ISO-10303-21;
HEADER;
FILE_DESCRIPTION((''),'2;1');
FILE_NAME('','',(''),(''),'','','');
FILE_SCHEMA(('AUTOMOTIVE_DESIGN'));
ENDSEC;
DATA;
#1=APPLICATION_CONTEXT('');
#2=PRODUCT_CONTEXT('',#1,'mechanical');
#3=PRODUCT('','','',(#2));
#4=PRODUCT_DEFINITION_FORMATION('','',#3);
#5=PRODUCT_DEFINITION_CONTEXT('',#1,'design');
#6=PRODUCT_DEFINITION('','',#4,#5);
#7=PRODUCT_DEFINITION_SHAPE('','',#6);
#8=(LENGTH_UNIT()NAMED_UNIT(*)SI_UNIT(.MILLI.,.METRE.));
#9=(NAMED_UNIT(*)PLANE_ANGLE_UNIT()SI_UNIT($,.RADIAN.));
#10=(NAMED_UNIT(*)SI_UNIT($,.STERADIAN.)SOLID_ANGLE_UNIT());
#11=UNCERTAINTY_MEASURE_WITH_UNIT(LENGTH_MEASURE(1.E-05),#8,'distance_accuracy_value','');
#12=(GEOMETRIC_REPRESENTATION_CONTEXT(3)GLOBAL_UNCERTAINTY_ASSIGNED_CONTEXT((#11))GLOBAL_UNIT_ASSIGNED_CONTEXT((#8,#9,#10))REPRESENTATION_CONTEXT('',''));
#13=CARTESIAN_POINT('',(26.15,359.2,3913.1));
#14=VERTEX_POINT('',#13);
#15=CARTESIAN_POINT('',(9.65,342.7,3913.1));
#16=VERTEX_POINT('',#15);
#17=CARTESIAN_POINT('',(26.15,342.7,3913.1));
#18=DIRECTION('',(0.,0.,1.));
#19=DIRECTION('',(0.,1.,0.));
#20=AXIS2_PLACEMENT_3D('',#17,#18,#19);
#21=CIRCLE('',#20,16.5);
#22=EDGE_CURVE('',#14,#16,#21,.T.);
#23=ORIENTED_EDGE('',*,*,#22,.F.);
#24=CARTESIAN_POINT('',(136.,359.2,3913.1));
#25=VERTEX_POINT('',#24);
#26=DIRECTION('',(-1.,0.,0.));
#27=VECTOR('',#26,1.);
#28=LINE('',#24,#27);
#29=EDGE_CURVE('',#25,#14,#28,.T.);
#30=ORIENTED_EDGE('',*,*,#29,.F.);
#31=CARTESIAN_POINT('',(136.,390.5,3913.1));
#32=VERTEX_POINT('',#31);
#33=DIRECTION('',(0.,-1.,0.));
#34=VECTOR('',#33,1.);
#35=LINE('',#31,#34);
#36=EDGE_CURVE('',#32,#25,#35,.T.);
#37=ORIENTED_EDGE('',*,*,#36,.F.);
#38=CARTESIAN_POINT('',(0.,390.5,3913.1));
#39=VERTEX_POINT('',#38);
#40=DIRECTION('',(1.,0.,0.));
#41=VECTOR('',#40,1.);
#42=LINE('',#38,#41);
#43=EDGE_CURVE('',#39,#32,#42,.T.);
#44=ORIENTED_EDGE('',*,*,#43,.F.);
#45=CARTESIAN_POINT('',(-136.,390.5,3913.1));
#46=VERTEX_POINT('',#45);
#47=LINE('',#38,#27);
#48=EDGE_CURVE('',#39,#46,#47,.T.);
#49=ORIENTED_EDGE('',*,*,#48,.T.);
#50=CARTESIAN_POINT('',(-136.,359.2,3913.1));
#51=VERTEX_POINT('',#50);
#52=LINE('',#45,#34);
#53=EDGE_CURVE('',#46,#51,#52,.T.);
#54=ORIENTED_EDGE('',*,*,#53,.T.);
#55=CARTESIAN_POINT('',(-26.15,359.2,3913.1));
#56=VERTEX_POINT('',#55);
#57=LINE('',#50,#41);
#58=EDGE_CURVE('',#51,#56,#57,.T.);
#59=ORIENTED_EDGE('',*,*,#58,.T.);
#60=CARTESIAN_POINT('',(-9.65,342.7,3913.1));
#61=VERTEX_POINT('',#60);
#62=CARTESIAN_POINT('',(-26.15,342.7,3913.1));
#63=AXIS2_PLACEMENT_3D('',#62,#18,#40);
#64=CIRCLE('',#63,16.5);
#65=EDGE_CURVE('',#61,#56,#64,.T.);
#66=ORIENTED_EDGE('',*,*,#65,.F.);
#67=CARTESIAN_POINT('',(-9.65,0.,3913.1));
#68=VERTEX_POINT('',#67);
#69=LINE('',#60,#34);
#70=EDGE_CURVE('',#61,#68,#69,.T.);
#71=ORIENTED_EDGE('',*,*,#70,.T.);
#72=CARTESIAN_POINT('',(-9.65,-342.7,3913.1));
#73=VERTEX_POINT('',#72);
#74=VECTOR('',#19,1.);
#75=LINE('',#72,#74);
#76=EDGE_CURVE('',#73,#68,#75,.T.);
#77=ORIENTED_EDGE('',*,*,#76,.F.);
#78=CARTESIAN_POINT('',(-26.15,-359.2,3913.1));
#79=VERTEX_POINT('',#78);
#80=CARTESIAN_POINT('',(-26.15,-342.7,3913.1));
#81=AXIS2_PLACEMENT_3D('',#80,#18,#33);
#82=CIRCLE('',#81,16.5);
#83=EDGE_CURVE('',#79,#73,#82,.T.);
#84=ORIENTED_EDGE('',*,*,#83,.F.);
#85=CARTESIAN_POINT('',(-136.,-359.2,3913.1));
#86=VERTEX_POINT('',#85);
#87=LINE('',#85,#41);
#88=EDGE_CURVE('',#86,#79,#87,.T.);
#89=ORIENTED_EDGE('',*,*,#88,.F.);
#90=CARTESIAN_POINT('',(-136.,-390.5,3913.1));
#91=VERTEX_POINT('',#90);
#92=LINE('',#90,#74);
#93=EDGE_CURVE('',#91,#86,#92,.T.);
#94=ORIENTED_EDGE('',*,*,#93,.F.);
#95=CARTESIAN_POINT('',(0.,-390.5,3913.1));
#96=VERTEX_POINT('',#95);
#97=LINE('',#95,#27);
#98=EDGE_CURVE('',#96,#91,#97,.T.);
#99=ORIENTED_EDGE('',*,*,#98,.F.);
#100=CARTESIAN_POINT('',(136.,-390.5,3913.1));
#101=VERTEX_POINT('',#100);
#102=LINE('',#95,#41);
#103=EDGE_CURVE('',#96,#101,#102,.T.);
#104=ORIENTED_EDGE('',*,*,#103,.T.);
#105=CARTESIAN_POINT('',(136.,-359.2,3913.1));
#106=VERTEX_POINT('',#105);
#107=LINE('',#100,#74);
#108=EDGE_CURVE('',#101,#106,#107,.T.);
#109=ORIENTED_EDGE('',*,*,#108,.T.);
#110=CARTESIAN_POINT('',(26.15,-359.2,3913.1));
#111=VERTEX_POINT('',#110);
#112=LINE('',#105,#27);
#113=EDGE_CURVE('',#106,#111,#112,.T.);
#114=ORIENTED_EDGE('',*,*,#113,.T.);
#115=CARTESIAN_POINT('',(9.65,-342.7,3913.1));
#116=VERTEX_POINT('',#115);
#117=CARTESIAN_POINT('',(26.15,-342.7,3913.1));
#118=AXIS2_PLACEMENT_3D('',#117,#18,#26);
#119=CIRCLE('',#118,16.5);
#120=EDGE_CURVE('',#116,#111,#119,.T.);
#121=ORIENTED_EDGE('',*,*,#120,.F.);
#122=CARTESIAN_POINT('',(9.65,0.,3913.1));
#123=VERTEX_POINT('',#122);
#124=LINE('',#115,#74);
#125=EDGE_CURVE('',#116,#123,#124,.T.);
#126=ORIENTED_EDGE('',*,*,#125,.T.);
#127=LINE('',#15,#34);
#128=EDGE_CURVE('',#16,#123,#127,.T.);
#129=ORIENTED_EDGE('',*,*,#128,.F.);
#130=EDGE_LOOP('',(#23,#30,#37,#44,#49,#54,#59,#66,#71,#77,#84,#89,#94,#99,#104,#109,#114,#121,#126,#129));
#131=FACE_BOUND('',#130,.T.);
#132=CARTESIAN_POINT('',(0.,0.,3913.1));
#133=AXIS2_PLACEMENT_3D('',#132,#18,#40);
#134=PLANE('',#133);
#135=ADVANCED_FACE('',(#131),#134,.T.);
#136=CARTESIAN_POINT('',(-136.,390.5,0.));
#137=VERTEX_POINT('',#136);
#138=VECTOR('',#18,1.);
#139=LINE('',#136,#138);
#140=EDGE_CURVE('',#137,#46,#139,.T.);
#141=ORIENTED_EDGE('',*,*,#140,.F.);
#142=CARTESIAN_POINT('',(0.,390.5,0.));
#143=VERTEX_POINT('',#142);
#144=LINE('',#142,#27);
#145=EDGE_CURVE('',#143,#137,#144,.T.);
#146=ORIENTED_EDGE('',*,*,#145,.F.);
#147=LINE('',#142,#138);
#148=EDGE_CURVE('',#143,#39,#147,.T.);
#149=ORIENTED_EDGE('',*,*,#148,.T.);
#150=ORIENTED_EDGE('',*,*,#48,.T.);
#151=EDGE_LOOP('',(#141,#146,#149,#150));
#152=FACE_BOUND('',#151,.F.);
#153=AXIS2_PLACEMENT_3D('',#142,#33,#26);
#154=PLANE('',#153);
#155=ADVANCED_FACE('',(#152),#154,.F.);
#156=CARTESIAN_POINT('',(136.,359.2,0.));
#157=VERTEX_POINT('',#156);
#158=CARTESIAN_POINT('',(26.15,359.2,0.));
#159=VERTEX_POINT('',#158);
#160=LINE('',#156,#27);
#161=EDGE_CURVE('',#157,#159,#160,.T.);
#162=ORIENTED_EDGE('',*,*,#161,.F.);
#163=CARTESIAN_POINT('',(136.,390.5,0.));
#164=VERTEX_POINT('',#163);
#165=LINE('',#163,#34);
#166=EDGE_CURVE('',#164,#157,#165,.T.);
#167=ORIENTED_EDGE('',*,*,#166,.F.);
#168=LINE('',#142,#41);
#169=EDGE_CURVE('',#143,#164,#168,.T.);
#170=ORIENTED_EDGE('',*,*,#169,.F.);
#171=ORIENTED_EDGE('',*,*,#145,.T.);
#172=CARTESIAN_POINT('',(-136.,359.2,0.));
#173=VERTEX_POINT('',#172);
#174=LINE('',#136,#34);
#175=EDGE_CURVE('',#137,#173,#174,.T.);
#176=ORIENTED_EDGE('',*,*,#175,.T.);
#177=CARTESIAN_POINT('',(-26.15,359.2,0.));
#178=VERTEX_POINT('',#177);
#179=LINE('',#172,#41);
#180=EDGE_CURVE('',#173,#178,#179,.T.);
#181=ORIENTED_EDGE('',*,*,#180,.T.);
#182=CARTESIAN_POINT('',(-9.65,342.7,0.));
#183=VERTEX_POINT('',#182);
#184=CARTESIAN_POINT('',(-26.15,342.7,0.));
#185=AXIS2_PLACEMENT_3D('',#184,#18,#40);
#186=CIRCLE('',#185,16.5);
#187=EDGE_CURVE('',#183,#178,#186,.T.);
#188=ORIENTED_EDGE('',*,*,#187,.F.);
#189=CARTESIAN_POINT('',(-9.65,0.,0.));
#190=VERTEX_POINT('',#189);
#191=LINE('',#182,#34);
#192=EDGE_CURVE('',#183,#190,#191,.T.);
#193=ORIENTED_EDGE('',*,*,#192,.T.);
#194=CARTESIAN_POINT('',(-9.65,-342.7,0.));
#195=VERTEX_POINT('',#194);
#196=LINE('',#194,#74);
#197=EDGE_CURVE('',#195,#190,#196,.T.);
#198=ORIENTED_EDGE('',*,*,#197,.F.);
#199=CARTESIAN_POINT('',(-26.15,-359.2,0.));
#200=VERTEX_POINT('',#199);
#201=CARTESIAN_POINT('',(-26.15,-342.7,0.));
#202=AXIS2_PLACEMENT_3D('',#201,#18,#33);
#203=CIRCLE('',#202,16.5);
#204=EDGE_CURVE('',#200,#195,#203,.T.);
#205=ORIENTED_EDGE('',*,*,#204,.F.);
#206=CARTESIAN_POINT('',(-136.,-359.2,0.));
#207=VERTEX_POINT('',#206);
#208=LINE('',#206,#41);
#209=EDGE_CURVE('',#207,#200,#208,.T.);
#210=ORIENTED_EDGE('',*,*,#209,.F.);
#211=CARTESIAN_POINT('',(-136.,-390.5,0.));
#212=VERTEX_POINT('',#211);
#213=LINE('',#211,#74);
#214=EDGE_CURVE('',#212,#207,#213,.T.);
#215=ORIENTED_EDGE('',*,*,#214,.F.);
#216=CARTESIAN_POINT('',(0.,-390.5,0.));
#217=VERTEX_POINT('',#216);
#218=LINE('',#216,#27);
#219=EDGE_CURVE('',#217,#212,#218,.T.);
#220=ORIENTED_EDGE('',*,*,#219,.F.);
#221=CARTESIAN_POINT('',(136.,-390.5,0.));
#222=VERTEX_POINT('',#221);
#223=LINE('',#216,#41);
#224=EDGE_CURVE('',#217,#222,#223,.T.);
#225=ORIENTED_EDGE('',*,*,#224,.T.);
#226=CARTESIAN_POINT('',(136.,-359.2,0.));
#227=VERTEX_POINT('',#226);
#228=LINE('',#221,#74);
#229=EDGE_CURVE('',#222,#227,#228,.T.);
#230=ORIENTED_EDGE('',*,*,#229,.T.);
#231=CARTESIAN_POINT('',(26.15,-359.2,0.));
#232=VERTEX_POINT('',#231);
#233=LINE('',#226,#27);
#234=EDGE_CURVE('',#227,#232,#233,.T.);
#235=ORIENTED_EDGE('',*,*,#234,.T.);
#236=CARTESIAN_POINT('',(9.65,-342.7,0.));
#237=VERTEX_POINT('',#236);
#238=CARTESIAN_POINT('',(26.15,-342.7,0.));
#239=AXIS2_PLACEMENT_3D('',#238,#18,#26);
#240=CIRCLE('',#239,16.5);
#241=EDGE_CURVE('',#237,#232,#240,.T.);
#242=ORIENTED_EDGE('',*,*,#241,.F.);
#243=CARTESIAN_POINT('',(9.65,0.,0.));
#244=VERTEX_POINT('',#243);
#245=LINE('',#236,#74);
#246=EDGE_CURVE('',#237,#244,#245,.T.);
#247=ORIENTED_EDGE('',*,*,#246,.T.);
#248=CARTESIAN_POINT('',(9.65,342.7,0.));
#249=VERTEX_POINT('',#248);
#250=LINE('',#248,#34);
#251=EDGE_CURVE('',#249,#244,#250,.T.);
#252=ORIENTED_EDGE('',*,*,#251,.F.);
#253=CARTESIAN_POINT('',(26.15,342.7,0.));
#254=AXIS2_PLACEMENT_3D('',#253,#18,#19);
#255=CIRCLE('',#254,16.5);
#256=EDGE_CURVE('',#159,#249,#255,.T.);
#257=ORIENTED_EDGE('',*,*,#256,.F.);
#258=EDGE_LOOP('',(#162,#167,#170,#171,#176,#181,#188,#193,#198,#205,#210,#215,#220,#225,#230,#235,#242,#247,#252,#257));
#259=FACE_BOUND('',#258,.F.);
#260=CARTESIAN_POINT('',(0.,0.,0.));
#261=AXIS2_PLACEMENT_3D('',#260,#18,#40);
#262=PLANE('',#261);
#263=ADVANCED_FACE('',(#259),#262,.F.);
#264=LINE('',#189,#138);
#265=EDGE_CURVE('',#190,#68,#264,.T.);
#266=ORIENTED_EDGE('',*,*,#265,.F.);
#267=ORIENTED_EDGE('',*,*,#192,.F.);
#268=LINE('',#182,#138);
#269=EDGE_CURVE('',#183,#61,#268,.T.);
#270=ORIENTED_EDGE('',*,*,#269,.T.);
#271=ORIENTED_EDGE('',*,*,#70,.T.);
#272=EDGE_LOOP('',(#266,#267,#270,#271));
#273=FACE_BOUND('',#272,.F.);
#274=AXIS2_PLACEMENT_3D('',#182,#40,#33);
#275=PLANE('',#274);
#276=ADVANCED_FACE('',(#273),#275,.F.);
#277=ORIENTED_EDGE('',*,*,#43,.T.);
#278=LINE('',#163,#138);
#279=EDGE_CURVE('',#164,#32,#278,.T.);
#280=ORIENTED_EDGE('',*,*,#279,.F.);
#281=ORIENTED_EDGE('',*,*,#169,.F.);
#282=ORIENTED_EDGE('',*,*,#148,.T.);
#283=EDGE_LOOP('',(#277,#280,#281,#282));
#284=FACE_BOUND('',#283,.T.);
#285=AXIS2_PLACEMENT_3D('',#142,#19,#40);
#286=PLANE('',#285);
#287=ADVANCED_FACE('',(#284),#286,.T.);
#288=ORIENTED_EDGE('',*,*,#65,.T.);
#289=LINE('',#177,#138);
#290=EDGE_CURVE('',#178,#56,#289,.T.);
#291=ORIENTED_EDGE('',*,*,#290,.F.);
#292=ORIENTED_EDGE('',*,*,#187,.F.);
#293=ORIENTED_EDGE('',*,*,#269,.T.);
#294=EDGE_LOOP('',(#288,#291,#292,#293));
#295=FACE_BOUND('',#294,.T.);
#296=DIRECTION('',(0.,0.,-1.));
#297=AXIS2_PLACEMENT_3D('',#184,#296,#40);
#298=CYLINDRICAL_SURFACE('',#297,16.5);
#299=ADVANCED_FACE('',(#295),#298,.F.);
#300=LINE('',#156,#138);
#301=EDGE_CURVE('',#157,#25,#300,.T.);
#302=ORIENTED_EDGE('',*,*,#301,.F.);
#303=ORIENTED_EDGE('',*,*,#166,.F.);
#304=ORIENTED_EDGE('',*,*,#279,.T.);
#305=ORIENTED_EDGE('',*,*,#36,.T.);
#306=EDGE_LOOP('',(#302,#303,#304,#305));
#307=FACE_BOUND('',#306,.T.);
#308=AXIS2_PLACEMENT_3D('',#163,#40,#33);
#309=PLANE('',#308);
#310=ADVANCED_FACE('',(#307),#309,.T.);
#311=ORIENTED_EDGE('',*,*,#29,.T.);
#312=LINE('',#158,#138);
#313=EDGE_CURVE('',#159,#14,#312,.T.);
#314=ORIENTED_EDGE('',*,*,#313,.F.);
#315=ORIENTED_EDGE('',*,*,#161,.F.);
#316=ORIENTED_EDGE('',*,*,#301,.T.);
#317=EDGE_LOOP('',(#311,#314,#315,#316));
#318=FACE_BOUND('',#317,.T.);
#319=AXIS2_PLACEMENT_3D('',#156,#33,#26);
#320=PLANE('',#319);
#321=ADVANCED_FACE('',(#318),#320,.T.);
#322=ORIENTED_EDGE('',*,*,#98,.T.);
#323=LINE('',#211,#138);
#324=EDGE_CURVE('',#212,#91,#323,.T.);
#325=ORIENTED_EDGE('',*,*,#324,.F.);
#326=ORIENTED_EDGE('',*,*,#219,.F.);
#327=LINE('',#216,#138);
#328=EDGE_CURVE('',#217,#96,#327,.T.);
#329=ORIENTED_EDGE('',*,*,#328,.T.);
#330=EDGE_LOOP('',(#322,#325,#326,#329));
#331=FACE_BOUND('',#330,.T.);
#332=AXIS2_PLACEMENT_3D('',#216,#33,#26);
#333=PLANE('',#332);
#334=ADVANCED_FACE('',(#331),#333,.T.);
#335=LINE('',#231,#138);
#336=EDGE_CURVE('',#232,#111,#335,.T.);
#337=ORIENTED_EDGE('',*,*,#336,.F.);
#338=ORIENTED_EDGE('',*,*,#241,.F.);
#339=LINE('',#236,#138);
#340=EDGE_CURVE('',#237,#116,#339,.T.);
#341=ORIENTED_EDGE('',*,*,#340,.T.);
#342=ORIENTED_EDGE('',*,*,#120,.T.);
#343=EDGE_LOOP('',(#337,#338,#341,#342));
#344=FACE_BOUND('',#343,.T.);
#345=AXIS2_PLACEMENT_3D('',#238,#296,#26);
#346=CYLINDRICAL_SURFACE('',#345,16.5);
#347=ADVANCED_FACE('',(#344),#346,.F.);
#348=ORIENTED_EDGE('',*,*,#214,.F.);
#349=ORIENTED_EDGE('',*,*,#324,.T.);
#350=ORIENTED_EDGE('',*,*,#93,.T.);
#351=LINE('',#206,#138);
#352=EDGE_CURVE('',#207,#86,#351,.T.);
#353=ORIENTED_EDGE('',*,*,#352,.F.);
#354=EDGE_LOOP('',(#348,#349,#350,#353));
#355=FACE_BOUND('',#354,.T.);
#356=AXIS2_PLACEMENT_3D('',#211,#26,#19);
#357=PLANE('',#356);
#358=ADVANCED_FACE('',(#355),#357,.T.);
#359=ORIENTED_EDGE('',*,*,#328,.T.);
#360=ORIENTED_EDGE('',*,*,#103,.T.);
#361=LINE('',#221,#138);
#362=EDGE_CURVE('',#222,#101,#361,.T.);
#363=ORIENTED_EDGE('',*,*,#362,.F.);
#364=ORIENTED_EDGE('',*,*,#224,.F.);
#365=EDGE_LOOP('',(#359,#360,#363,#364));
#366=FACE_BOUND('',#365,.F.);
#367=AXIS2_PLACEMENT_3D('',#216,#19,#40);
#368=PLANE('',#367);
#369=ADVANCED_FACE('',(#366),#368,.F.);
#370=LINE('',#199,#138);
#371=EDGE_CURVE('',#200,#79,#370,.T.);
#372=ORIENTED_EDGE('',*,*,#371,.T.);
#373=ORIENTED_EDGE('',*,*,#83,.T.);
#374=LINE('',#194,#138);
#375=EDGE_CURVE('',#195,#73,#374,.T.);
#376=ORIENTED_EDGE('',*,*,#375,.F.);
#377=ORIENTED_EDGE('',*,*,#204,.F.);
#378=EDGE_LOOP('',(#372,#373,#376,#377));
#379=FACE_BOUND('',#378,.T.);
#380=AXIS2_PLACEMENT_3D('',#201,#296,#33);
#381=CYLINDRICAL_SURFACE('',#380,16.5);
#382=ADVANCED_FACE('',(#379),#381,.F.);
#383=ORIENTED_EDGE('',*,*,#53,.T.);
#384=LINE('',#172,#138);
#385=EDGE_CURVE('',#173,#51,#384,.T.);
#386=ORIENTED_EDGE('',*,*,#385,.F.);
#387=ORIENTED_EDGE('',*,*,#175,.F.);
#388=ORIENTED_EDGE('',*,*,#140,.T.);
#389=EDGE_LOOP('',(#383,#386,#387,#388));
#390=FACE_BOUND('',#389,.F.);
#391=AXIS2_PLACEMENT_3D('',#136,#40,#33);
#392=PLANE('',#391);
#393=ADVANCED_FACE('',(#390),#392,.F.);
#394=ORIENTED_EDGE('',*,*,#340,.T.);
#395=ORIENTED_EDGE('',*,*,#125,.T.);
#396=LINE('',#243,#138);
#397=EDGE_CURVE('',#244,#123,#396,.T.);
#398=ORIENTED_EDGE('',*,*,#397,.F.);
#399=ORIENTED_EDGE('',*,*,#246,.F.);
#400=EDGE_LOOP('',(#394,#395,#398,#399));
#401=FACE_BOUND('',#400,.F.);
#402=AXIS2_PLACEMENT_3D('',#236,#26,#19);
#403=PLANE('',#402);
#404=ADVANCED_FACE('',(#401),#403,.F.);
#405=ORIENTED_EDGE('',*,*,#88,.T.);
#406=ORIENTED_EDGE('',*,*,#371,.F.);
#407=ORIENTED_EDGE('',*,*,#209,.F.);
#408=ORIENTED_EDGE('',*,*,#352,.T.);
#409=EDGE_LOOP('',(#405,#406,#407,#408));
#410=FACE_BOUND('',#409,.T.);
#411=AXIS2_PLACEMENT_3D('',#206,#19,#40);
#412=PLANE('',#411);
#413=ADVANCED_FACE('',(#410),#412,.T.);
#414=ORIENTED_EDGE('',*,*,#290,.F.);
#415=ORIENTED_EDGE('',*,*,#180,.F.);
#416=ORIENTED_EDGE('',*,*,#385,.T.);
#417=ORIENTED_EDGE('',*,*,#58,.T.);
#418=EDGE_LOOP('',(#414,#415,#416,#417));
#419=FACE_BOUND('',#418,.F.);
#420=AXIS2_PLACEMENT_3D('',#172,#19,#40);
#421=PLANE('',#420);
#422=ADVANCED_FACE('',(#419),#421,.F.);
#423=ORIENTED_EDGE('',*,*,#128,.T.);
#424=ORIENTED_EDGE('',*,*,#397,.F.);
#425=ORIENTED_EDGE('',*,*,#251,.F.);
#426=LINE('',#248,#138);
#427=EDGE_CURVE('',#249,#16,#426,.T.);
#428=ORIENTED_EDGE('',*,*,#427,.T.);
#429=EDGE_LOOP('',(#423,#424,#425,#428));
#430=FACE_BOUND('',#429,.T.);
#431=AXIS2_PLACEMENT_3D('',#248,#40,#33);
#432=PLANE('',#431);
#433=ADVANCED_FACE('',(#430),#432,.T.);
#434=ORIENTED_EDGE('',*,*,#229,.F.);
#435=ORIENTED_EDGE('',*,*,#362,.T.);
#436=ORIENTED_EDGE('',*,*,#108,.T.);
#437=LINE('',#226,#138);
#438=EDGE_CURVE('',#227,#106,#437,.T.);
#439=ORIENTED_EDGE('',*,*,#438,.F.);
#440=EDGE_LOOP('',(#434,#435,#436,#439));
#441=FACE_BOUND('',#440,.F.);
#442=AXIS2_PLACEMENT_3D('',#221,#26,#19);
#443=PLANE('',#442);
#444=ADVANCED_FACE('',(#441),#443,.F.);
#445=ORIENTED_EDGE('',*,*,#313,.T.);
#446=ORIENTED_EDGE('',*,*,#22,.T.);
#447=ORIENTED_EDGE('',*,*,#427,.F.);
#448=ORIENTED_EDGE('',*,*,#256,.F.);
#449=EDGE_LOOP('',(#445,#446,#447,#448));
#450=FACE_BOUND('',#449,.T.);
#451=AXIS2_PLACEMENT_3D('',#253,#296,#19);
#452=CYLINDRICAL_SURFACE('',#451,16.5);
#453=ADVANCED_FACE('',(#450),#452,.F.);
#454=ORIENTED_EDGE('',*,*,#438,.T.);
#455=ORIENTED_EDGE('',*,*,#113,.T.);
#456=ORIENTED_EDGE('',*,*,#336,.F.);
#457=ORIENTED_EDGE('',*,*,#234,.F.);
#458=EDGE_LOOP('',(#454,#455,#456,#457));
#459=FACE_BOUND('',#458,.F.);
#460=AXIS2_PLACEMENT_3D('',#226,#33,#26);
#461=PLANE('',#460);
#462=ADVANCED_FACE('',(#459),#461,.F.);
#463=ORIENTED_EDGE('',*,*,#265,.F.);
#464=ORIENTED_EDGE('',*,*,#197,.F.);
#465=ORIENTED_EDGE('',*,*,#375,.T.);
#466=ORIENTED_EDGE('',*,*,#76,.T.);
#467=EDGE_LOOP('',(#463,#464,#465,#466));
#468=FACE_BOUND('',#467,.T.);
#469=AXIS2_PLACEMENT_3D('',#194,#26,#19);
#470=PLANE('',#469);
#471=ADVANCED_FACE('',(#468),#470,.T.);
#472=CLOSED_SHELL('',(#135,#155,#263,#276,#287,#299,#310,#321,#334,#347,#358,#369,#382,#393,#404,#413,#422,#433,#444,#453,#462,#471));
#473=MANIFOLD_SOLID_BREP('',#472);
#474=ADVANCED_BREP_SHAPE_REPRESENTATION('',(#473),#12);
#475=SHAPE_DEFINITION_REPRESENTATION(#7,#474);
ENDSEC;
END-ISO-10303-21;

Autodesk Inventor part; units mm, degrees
ref_plane "YZ Plane" through (0, 0, 0) normal (1, 0, 0) x (0, 1, 0)
ref_plane "Start plane" through (0, 0, 0) normal (0, 0, 1) x (1, 0, 0)
ref_plane "End plane" through (0, 0, 3913.1) normal (0, 0, 1) x (1, 0, 0)
sketch "Sketch" plane through (0, 0, 0) normal (0, 0, 1) x (1, 0, 0)
  line L0 (-136, -390.5) -> (-136, -359.2)
  line L1 (-136, -359.2) -> (-26.15, -359.2)
  line L2 (-9.65, -342.7) -> (-9.65, 0)
  line L3 (-9.65, 0) -> (0, 0) construction
  line L4 (0, 0) -> (0, -390.5) construction
  line L5 (0, -390.5) -> (-136, -390.5)
  line L6 (-60, 0) -> (80, 0) construction
  line L7 (0, -60) -> (0, 80) construction
  line L8 (136, -390.5) -> (136, -359.2)
  line L9 (136, -359.2) -> (26.15, -359.2)
  line L10 (9.65, -342.7) -> (9.65, 0)
  line L11 (9.65, 0) -> (0, 0) construction
  line L12 (0, -390.5) -> (136, -390.5)
  line L13 (-136, 390.5) -> (-136, 359.2)
  line L14 (-136, 359.2) -> (-26.15, 359.2)
  line L15 (-9.65, 342.7) -> (-9.65, 0)
  line L16 (0, 390.5) -> (-136, 390.5)
  line L17 (136, 390.5) -> (136, 359.2)
  line L18 (136, 359.2) -> (26.15, 359.2)
  line L19 (0, 390.5) -> (136, 390.5)
  line L20 (9.65, 342.7) -> (9.65, 0)
  arc A0 (-9.65, 342.7) -> (-26.15, 359.2) centre (-26.15, 342.7) ccw
  arc A1 (26.15, 359.2) -> (9.65, 342.7) centre (26.15, 342.7) ccw
  arc A2 (9.65, -342.7) -> (26.15, -359.2) centre (26.15, -342.7) ccw
  arc A3 (-26.15, -359.2) -> (-9.65, -342.7) centre (-26.15, -342.7) ccw
  line L21 (0, 108) -> (0, -88) construction
  line L22 (-88, 0) -> (108, 0) construction
  point P0 (-9.65, -359.2)
  point P1 (9.65, -359.2)
  point P2 (-9.65, 359.2)
  point P3 (9.65, 359.2)
  dimension "d1" = 390.5
  dimension "d2" = 31.3
  dimension "d3" = 136
  dimension "d4" = 9.65
  dimension "d10" = 16.5
extrude "Body" add sketch "Sketch" along normal up to surface (3913.1 mm away) from surface at 0
sketch "Sketch4" plane through (0, 0, 0) normal (0, 0, 1) x (1, 0, 0)
  line L0 (0, 0) -> (10, 0)
ref_plane "Work Plane3" through (0, 0, 0) normal (0, -1, 0) x (1, 0, 0)
sketch "Sketch5" plane through (0, 0, 0) normal (0, -1, 0) x (1, 0, 0)
  line L0 (-2, 0) -> (12, 0) projected
  line L1 (-2, 3913.1) -> (12, 3913.1) projected
  dimension "d14" = 3913.1
equation "\"d1\" = 0.5 * G_H"
equation "\"d2\" = G_T1"
equation "\"d3\" = 0.5 * G_W"
equation "\"d4\" = 0.5 * G_T"
equation "\"d10\" = G_IR"
equation "\"d5\" = G_L"
equation "\"G_W\" = 272"
equation "\"G_H\" = 781"
equation "\"G_T\" = 19.3"
equation "\"G_T1\" = 31.3"
equation "\"G_IR\" = 16.5"
equation "\"G_L\" = d14"
equation "\"G_OFFSET_START\" = 0"
equation "\"G_OFFSET_END\" = 0"
equation "\"d12\" = G_OFFSET_END + B_L"
equation "\"B_L\" = 3913.1"
properties part number "AS 3679-1990 - 760 UB - 244 - 3913.1" material "Steel, Mild"
